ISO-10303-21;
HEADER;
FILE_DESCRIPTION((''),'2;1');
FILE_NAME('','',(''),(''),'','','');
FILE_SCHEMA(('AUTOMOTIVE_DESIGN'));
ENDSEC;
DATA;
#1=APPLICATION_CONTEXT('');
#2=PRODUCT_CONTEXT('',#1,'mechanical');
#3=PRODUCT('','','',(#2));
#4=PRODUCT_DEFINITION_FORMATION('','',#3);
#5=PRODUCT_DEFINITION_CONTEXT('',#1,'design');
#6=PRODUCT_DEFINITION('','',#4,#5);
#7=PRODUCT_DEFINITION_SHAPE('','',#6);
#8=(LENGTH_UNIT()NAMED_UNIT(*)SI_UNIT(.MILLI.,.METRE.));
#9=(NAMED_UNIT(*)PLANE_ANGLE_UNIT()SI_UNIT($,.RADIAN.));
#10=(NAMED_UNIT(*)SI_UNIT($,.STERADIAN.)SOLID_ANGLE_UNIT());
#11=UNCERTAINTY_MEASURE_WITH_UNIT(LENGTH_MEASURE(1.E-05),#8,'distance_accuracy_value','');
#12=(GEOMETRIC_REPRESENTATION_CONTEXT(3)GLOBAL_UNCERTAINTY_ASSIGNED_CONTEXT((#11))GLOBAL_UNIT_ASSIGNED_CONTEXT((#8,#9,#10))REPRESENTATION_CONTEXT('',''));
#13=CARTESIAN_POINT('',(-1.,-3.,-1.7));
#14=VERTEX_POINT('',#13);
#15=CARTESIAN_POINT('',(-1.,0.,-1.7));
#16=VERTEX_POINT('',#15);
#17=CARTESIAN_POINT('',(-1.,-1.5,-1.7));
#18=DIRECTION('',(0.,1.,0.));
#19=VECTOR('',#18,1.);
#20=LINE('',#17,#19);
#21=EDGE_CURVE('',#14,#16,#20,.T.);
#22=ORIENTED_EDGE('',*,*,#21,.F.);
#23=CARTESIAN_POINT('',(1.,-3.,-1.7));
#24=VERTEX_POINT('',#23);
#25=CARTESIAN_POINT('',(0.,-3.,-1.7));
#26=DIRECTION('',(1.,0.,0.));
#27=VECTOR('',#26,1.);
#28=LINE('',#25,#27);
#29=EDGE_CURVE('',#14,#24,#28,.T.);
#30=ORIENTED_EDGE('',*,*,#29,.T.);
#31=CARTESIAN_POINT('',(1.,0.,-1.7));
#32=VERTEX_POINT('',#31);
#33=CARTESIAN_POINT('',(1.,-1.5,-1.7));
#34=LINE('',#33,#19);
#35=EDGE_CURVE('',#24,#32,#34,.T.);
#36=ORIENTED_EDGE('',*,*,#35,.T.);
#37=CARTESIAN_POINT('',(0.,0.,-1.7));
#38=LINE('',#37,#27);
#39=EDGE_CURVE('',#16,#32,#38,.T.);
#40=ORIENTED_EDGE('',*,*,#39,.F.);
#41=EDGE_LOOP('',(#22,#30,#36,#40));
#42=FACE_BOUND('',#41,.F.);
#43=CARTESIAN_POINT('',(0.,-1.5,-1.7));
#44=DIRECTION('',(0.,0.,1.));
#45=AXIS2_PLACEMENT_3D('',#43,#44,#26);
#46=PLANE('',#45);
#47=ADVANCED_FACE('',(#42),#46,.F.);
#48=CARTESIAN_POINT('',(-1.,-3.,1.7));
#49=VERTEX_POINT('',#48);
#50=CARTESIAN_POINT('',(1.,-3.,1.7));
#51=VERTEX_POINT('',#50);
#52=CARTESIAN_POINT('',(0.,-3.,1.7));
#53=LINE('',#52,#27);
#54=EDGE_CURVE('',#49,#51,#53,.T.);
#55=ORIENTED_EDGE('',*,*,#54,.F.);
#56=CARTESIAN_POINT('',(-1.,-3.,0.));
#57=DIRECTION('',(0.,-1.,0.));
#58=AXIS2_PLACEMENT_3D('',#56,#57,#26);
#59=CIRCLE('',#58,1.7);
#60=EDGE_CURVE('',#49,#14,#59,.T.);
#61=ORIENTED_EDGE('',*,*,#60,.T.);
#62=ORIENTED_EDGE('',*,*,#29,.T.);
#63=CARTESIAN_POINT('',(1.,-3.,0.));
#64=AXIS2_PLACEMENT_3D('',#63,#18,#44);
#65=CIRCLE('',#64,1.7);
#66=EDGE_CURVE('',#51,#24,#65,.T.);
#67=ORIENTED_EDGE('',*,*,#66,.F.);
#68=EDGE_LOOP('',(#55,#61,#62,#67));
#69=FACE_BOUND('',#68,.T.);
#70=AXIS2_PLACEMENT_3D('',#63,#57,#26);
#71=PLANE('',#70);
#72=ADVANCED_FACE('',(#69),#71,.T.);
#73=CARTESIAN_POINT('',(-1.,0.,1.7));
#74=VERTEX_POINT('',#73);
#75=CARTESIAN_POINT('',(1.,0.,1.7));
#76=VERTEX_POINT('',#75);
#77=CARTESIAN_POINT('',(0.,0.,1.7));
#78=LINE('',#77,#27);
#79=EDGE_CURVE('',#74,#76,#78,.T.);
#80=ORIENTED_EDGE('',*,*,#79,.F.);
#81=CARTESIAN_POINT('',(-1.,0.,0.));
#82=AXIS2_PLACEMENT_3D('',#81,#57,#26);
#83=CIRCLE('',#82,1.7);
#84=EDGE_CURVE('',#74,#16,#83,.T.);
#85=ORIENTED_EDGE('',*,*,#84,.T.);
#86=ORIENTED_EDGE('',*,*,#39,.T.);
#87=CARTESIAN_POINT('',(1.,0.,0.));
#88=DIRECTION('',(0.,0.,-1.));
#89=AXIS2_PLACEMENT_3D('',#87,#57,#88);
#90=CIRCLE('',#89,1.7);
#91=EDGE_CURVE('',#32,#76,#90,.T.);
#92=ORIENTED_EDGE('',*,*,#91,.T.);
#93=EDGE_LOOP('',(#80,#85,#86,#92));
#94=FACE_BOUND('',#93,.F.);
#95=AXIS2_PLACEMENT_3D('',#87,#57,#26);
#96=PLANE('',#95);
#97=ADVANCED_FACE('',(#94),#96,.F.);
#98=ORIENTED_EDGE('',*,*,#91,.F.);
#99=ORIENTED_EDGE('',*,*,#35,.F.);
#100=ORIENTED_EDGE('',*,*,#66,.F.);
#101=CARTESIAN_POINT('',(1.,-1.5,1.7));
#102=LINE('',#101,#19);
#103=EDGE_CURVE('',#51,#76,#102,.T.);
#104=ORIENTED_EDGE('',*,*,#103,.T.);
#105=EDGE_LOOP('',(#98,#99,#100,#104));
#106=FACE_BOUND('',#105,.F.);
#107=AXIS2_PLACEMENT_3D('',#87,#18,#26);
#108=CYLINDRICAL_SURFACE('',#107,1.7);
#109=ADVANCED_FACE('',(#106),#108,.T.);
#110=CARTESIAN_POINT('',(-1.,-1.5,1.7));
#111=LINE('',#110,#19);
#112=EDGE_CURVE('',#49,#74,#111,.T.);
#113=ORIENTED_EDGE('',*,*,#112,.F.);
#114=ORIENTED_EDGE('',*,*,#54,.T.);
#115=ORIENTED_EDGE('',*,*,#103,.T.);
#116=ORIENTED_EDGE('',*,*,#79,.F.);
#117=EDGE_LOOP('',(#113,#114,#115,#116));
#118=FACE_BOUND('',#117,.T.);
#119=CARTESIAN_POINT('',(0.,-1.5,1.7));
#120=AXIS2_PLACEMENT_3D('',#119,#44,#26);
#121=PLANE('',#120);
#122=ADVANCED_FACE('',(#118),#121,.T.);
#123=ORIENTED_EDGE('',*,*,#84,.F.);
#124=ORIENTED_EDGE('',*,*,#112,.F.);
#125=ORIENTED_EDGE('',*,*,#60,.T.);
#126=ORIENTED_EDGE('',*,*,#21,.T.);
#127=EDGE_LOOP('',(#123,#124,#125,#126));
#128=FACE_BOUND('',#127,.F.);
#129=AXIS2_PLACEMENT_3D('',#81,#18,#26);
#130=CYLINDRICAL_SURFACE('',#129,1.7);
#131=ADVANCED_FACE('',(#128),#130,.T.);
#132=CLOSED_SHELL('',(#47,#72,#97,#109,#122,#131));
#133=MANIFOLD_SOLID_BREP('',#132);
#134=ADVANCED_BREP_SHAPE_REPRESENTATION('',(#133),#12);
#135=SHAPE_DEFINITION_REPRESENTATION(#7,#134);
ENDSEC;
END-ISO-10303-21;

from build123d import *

# Parameters (mm, degrees)
CYLINDER_R        = 1.7
CYLINDER_DEPTH    = 3
CYLINDER001_R     = 1.7
CYLINDER001_DEPTH = 3
BOX002_W          = 2
BOX002_H          = 3
BOX002_DEPTH      = 3.4


with BuildPart() as cylinder:
    # Cylinder → Cylinder (new body)
    with BuildSketch(Plane(origin=(-1, 0, 0), x_dir=(1, 0, 0), z_dir=(0, -1, 0))):
        Circle(CYLINDER_R)
    extrude(amount=CYLINDER_DEPTH)


with BuildPart() as cylinder001:
    # Cylinder001 → Cylinder001 (new body)
    with BuildSketch(Plane(origin=(1, 0, 0), x_dir=(1, 0, 0), z_dir=(0, -1, 0))):
        Circle(CYLINDER001_R)
    extrude(amount=CYLINDER001_DEPTH)


with BuildPart() as hole_range:
    # Box002 → Box002 (new body)
    with BuildSketch(Plane(origin=(-1, -3, -1.7), x_dir=(1, 0, 0), z_dir=(0, 0, 1))):
        with Locations((1, 1.5)):
            Rectangle(BOX002_W, BOX002_H)
    extrude(amount=BOX002_DEPTH)

    # Fusion: union Cylinder, Cylinder001
    add(cylinder.part)
    add(cylinder001.part)


solid = hole_range.part
